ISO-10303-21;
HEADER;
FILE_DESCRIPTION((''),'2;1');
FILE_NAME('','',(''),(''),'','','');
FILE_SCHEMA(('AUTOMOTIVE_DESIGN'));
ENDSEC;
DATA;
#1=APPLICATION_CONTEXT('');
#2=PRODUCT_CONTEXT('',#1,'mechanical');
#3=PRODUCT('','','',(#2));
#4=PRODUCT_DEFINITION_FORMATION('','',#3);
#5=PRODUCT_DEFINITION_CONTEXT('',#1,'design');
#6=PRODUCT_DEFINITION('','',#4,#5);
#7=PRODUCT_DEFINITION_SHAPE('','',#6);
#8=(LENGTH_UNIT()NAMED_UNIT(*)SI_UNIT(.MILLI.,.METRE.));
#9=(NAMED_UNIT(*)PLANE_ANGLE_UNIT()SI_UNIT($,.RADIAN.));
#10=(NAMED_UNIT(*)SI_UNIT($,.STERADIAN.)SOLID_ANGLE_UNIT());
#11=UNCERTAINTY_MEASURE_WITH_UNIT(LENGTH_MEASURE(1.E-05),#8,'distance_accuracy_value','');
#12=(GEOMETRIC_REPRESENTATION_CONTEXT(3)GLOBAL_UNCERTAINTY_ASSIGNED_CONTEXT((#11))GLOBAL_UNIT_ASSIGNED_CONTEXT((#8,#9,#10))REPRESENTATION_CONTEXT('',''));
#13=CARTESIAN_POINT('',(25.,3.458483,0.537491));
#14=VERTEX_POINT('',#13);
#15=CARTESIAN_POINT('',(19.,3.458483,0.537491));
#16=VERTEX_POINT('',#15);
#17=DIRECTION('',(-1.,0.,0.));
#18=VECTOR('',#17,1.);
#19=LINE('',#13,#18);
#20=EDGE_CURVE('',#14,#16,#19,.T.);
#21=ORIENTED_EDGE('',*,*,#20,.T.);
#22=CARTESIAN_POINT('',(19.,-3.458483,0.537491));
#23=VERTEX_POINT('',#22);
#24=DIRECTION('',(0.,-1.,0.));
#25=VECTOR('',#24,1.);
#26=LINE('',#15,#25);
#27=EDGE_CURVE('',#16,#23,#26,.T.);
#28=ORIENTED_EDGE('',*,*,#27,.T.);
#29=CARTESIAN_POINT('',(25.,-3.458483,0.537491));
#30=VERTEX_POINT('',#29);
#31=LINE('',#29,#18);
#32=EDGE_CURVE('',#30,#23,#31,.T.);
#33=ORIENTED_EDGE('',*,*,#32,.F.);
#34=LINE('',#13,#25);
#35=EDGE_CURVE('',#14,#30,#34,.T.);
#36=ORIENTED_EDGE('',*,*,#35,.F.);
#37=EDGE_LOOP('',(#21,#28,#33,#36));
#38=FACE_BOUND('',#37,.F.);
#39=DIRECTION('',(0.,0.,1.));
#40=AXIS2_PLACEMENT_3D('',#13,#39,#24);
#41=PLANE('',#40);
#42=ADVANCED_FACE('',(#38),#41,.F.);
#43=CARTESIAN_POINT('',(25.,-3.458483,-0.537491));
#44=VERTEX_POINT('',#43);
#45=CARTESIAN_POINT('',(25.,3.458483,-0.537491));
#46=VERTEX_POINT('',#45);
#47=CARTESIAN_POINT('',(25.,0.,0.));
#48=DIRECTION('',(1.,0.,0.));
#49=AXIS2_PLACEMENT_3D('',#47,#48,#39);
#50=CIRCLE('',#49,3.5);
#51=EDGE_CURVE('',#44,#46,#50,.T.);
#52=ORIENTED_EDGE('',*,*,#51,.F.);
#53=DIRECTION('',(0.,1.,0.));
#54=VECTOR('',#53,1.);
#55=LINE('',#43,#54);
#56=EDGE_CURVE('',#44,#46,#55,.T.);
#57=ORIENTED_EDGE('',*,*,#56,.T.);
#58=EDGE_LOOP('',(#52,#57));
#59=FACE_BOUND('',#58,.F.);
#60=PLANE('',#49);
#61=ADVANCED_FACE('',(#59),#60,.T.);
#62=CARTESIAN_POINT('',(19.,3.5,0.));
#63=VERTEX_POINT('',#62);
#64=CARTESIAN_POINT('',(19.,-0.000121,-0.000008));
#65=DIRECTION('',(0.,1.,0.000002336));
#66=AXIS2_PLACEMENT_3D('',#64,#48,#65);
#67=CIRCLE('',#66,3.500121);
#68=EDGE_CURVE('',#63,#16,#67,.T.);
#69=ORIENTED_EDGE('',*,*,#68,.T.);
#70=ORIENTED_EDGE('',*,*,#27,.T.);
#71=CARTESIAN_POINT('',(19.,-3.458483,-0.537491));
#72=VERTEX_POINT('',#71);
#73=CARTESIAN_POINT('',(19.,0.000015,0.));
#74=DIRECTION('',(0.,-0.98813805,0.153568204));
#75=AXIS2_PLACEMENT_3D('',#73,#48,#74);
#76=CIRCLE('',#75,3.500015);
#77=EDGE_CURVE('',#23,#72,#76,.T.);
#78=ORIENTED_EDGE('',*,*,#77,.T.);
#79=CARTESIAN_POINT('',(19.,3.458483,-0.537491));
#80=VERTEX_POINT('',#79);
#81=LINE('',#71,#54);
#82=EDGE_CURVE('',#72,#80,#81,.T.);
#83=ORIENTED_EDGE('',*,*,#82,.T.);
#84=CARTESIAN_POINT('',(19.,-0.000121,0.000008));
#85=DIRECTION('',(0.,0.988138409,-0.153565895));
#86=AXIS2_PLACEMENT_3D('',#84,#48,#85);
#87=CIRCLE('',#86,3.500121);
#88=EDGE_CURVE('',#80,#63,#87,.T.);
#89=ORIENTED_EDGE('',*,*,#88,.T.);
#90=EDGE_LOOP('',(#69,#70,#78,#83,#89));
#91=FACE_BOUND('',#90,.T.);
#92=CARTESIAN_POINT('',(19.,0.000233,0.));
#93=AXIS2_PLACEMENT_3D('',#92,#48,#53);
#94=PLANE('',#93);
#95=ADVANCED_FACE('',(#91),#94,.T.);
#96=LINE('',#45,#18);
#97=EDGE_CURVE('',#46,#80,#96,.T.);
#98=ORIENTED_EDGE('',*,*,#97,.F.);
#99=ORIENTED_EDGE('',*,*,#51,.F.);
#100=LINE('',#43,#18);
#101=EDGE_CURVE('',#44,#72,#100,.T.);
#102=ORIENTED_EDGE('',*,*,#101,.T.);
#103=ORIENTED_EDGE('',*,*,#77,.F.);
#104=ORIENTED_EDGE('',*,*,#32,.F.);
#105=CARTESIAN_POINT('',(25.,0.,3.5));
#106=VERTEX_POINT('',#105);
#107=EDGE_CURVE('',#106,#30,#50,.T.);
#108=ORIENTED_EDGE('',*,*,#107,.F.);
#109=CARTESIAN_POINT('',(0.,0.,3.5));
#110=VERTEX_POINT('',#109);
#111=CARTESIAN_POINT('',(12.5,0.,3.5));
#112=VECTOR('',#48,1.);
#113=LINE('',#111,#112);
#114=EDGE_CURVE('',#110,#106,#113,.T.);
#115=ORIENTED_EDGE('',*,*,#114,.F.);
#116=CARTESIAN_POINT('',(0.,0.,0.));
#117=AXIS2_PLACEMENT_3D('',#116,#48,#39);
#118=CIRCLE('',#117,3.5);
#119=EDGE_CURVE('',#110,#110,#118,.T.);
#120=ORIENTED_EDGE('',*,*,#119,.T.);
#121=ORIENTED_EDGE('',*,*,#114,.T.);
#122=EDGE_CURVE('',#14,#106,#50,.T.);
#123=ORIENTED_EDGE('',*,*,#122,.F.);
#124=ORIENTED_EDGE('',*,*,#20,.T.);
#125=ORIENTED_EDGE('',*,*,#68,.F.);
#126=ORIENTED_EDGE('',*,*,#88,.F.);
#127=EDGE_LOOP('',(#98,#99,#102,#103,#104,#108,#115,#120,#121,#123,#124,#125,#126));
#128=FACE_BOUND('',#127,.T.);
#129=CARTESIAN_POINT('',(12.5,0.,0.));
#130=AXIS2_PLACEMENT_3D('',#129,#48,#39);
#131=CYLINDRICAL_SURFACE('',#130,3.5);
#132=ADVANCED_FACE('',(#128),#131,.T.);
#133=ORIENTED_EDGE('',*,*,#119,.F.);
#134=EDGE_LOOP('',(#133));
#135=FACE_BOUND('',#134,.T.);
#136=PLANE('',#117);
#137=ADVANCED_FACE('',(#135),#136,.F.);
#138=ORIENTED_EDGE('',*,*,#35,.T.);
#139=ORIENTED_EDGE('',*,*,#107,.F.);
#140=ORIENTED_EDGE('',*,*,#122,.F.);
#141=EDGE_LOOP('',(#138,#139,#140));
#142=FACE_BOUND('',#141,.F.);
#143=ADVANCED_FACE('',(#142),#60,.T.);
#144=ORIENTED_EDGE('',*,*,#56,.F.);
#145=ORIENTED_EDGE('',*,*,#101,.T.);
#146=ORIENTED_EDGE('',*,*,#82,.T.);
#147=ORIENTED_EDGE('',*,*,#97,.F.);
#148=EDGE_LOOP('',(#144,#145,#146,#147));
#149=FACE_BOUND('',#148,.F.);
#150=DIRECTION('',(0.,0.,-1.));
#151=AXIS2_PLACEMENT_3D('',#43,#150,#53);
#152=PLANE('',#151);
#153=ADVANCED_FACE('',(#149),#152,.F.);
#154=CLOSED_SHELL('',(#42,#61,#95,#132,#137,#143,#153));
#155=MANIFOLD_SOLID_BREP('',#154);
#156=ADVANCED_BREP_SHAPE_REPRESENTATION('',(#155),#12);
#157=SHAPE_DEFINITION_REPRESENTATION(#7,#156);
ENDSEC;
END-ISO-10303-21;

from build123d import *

# Parameters (mm, degrees)
F0_W     = 25
F0_H     = 3.5
F3_DEPTH = 6


with BuildPart() as f1:
    # F0 (on Front) → F1 (revolve)
    with BuildSketch(Plane.XZ):
        with Locations((12.5, 1.75)):
            Rectangle(F0_W, F0_H)
    revolve(axis=Axis((12.5, 0, 0), (1, 0, 0)))

    # F2 (on face) → F3 (cut)
    with BuildSketch(Plane.YZ.offset(25)):
        with BuildLine():
            Line((-3.458483, -0.537491), (3.458483, -0.537491))
            ThreePointArc((3.458483, -0.537491), (3.489605, -0.269546), (3.5, 0))
            ThreePointArc((3.5, 0), (3.489605, 0.269546), (3.458483, 0.537491))
            Line((3.458483, 0.537491), (-3.458483, 0.537491))
            ThreePointArc((-3.458483, 0.537491), (-3.5, 0), (-3.458483, -0.537491))
        make_face()
    extrude(amount=-F3_DEPTH, mode=Mode.SUBTRACT)


solid = f1.part
